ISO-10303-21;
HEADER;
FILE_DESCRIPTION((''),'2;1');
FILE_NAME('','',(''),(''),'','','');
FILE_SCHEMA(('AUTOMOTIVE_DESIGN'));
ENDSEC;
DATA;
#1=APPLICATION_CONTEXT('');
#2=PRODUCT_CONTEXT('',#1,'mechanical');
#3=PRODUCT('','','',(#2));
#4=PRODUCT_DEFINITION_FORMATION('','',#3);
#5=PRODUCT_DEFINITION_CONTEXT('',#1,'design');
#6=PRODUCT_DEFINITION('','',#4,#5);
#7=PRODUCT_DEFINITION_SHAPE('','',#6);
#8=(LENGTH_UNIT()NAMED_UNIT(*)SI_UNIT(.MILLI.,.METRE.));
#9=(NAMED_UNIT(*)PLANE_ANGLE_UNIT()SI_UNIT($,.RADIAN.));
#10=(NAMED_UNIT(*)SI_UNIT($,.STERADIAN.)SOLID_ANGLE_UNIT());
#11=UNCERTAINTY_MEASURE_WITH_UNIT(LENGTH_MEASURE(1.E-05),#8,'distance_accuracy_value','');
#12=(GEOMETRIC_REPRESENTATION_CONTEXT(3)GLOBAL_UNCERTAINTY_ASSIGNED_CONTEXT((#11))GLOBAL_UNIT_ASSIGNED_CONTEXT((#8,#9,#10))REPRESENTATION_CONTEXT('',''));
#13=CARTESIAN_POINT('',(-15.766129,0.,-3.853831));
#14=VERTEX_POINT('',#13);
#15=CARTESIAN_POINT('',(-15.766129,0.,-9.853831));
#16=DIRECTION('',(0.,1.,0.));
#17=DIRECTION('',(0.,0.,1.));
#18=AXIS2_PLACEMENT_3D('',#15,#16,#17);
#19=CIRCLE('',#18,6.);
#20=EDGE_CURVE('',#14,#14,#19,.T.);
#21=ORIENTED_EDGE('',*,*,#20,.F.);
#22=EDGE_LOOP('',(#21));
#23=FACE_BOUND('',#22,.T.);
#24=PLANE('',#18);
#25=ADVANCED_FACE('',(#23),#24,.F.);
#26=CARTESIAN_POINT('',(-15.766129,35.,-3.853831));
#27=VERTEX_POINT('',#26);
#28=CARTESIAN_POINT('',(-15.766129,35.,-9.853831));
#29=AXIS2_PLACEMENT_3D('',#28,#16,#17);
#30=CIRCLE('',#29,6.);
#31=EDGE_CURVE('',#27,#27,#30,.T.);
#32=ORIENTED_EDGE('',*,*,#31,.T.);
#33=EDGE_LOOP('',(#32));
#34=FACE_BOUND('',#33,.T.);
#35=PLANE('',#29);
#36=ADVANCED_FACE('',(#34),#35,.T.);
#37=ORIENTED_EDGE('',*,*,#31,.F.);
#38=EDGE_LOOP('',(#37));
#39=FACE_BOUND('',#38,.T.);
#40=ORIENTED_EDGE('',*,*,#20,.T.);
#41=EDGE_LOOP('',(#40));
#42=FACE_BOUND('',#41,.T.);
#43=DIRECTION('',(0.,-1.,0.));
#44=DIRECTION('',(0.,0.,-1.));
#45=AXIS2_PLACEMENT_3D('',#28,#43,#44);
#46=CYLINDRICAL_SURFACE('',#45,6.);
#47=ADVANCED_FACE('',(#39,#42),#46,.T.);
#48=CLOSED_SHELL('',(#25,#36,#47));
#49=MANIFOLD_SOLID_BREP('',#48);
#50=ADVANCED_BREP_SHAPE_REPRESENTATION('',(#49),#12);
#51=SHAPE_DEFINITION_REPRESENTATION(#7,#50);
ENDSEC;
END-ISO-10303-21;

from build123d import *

# Parameters (mm, degrees)
SKETCH1_R           = 6
BOSS_EXTRUDE1_DEPTH = 35


with BuildPart() as part:
    # Sketch1 → Boss-Extrude1 (new body)
    with BuildSketch(Plane(origin=(0, 0, 0), x_dir=(1, 0, 0), z_dir=(0, 1, 0))):
        with Locations((-15.766129032, 9.853830645)):
            Circle(SKETCH1_R)
    extrude(amount=BOSS_EXTRUDE1_DEPTH)


solid = part.part
